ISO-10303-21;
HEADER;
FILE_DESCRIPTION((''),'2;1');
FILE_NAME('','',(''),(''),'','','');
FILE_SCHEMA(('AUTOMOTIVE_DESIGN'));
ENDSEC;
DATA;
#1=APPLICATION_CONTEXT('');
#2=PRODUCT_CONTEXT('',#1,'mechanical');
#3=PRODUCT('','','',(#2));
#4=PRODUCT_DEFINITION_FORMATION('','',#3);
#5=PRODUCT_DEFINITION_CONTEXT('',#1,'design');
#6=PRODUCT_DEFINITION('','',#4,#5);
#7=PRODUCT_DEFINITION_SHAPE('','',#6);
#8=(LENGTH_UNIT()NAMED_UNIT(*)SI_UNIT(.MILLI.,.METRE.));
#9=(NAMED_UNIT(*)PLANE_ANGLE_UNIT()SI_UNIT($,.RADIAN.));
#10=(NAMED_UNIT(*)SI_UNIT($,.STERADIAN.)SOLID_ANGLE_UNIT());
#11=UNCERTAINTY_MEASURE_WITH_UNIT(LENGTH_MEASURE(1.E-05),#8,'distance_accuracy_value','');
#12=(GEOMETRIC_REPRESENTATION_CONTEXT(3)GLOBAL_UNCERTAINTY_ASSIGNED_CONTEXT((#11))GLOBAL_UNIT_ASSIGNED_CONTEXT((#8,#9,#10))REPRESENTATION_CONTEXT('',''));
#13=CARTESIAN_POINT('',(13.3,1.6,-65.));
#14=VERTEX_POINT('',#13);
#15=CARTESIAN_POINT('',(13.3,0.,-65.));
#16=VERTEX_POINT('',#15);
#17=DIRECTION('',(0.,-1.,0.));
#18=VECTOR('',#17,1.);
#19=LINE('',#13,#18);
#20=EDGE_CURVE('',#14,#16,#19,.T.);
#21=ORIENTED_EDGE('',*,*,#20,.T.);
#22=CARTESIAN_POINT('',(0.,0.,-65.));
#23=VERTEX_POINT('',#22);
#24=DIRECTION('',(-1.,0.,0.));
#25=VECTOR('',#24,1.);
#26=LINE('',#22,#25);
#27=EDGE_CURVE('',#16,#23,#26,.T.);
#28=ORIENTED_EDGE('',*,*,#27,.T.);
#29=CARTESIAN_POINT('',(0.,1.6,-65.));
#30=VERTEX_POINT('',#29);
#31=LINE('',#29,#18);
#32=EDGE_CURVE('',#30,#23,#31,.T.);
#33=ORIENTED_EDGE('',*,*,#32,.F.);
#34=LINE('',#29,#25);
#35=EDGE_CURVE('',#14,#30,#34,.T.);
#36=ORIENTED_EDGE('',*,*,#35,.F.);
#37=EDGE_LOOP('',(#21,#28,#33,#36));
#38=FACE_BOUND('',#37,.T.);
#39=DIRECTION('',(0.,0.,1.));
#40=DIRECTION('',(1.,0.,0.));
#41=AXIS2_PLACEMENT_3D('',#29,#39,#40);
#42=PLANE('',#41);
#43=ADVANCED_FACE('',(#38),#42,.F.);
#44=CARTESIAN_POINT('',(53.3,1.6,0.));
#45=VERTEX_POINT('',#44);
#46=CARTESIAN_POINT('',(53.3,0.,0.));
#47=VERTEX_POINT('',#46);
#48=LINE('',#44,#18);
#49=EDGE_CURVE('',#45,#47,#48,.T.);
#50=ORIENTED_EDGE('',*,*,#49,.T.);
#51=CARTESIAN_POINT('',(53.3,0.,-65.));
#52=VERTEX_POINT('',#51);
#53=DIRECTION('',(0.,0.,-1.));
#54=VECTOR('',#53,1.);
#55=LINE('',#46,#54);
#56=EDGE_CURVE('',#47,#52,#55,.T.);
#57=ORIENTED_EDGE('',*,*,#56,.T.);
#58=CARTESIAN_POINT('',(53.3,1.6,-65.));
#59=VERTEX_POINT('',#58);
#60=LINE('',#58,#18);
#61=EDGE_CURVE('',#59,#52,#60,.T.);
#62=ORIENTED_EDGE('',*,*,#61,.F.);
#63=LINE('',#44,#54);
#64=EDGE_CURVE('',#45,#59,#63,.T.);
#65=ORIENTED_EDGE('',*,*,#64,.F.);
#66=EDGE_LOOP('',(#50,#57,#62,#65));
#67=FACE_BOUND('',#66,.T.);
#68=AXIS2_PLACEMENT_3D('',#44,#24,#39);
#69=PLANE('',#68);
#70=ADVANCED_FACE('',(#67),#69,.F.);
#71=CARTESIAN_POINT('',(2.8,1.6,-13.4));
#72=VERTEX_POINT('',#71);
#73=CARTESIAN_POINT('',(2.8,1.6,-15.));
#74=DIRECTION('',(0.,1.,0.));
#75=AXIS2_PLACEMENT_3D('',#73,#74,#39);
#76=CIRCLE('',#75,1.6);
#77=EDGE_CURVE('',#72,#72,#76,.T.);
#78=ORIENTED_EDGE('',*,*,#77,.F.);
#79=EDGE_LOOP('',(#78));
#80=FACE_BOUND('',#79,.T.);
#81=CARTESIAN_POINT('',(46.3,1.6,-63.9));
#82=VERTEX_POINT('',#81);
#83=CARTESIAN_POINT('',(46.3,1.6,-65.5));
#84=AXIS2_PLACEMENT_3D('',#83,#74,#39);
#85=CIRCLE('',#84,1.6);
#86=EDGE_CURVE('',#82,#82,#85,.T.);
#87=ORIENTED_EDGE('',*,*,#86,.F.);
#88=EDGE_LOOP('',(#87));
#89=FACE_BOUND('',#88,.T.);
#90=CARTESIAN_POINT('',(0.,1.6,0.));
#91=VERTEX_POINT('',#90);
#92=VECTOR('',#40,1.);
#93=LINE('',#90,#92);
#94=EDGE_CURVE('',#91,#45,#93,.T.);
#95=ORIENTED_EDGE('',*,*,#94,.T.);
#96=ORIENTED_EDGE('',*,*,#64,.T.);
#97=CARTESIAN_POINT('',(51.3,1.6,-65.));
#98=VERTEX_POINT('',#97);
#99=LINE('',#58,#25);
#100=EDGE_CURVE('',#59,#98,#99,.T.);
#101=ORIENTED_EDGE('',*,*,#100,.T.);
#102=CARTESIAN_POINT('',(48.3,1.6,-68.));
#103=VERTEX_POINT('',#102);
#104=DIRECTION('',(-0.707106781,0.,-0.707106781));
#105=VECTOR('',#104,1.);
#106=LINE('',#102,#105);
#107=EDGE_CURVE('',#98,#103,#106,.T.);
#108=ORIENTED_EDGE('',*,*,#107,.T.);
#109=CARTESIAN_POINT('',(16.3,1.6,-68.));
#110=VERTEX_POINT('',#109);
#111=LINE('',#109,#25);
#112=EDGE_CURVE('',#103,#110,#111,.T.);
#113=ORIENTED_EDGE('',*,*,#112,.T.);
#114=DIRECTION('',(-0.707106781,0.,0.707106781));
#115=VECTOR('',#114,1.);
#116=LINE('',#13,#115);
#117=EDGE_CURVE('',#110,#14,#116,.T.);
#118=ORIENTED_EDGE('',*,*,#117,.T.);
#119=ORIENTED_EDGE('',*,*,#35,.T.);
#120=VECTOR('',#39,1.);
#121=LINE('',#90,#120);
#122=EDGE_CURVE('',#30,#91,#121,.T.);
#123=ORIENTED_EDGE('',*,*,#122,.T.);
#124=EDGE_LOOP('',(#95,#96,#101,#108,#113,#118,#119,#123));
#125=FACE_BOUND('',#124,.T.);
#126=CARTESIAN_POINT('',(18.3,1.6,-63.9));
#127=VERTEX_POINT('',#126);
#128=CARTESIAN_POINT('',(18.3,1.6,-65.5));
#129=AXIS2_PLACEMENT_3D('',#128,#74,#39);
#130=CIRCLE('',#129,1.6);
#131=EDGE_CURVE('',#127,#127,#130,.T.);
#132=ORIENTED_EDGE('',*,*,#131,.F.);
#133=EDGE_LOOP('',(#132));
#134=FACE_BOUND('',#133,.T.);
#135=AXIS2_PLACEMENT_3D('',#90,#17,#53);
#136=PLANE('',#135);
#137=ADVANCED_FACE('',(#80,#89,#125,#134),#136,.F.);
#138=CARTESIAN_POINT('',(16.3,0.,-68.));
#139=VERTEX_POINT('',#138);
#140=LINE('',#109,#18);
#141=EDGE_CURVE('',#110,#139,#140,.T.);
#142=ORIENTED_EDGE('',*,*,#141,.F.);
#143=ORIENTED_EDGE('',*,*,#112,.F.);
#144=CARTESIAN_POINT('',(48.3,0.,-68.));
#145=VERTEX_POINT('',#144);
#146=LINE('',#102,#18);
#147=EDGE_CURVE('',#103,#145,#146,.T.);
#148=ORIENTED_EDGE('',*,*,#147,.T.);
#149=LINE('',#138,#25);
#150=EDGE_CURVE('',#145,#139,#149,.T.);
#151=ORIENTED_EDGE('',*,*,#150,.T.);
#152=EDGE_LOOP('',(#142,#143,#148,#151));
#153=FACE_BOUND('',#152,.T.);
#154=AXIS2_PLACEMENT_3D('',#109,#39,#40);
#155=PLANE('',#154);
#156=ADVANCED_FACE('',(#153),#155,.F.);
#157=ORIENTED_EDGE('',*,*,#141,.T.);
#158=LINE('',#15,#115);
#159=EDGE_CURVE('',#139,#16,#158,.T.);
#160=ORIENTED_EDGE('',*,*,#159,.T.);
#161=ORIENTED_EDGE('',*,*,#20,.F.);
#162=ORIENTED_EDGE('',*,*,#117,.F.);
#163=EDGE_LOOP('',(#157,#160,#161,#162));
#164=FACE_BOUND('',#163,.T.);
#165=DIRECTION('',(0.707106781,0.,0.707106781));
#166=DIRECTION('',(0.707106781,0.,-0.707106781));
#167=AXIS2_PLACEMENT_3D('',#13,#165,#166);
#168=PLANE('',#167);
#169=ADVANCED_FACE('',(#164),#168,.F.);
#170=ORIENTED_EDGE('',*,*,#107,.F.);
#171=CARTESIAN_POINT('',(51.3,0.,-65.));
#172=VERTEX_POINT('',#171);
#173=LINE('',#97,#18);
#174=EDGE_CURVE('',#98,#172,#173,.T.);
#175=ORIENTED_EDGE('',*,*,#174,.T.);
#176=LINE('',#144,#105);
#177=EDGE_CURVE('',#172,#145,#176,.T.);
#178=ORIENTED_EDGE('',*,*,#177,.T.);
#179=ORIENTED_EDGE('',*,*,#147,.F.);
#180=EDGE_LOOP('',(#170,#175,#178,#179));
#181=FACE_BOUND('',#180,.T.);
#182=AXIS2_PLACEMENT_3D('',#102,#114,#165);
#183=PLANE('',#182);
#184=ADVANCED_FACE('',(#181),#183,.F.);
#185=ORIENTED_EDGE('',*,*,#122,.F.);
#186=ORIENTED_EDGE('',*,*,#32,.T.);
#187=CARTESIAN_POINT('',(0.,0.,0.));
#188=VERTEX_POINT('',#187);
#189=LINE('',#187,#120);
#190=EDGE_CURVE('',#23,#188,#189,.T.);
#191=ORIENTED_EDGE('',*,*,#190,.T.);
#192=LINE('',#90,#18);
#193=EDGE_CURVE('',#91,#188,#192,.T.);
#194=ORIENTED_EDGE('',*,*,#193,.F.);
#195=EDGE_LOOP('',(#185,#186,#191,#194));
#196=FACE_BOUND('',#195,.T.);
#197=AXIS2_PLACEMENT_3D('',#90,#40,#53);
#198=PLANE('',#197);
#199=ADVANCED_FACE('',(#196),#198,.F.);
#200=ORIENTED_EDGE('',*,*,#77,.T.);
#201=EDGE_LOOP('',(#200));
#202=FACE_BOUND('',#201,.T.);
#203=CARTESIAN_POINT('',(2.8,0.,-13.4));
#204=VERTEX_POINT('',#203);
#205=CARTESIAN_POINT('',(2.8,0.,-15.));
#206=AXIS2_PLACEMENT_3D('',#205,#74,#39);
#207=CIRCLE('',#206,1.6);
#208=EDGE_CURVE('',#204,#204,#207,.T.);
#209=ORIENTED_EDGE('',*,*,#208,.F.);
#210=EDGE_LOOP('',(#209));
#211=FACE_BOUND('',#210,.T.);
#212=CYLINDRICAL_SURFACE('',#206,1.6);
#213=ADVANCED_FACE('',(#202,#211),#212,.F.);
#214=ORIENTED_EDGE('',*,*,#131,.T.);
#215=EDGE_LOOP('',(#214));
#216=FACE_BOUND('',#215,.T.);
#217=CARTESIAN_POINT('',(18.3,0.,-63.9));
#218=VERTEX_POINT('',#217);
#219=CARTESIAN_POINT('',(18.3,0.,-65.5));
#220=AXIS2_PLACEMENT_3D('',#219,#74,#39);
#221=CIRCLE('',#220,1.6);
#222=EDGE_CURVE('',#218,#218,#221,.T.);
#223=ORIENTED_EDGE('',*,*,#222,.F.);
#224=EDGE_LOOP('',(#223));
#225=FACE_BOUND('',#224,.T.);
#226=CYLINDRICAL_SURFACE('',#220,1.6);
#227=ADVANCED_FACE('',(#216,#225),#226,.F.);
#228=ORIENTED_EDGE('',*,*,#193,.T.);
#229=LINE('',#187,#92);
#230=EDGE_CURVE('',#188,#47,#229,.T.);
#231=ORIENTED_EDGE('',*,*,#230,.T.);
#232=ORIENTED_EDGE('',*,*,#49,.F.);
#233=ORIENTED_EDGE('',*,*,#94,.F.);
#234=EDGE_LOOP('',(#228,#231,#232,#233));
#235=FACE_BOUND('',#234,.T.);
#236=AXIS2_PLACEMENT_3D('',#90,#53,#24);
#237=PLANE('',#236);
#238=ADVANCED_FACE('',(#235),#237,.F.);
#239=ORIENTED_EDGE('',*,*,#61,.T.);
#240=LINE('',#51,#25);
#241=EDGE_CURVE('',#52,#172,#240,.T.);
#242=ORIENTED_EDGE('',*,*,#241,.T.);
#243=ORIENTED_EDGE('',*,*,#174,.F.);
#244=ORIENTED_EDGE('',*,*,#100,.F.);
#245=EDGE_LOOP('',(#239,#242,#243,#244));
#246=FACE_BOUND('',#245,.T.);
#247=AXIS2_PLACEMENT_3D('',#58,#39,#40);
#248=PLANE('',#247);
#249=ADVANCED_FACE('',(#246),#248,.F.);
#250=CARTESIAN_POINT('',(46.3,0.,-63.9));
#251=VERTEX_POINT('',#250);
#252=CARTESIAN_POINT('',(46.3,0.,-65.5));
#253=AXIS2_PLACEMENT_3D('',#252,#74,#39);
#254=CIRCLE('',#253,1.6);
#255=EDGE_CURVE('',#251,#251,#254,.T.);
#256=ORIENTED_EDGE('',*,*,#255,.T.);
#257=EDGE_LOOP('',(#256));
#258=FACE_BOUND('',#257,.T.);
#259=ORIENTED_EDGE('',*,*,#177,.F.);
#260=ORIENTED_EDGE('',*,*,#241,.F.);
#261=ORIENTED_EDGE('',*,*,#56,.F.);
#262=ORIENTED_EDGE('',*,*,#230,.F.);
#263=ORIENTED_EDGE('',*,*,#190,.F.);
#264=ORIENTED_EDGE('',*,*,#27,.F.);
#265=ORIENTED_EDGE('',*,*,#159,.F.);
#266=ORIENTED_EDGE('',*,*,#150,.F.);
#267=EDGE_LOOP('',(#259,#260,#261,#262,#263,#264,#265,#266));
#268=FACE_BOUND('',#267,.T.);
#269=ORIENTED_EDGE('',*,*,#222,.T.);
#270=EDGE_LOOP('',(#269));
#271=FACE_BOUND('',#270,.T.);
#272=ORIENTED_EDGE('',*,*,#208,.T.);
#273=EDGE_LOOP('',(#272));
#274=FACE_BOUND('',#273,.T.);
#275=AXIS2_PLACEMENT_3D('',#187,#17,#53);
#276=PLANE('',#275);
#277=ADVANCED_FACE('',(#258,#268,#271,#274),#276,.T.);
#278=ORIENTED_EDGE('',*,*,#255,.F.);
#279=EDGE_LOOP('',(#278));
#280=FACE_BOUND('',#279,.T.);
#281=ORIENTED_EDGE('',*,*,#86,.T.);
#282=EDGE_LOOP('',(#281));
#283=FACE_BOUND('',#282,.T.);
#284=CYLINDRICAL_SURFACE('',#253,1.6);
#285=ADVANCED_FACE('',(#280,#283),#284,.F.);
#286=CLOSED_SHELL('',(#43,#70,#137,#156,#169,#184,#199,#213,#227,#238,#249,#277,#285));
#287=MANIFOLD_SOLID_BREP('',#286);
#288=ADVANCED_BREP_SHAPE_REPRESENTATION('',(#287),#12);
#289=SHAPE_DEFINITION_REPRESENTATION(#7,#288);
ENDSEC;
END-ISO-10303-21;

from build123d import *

# Parameters (mm, degrees)
BOSS_EXTRUDE1_DEPTH = 1.6
SKETCH2_R           = 1.6
CUT_EXTRUDE1_DEPTH  = 1.6


with BuildPart() as part:
    # Sketch1 → Boss-Extrude1 (new body)
    with BuildSketch(Plane(origin=(0, 0, 0), x_dir=(1, 0, 0), z_dir=(0, 1, 0))):
        Polygon((0, 0), (53.3, 0), (53.3, 65), (51.3, 65), (48.3, 68), (16.3, 68), (13.3, 65), (0, 65), align=None)
    extrude(amount=BOSS_EXTRUDE1_DEPTH)

    # Sketch2 → Cut-Extrude1 (cut)
    with BuildSketch(Plane(origin=(0, 1.6, 0), x_dir=(1, 0, 0), z_dir=(0, 1, 0))):
        with Locations(Location((18.3, 65.5, 0), (0, 0, 270))):
            Circle(SKETCH2_R)
        with Locations(Location((46.3, 65.5, 0), (0, 0, 270))):
            Circle(SKETCH2_R)
        with Locations(Location((2.8, 15, 0), (0, 0, 270))):
            Circle(SKETCH2_R)
    extrude(amount=-CUT_EXTRUDE1_DEPTH, mode=Mode.SUBTRACT)


solid = part.part
